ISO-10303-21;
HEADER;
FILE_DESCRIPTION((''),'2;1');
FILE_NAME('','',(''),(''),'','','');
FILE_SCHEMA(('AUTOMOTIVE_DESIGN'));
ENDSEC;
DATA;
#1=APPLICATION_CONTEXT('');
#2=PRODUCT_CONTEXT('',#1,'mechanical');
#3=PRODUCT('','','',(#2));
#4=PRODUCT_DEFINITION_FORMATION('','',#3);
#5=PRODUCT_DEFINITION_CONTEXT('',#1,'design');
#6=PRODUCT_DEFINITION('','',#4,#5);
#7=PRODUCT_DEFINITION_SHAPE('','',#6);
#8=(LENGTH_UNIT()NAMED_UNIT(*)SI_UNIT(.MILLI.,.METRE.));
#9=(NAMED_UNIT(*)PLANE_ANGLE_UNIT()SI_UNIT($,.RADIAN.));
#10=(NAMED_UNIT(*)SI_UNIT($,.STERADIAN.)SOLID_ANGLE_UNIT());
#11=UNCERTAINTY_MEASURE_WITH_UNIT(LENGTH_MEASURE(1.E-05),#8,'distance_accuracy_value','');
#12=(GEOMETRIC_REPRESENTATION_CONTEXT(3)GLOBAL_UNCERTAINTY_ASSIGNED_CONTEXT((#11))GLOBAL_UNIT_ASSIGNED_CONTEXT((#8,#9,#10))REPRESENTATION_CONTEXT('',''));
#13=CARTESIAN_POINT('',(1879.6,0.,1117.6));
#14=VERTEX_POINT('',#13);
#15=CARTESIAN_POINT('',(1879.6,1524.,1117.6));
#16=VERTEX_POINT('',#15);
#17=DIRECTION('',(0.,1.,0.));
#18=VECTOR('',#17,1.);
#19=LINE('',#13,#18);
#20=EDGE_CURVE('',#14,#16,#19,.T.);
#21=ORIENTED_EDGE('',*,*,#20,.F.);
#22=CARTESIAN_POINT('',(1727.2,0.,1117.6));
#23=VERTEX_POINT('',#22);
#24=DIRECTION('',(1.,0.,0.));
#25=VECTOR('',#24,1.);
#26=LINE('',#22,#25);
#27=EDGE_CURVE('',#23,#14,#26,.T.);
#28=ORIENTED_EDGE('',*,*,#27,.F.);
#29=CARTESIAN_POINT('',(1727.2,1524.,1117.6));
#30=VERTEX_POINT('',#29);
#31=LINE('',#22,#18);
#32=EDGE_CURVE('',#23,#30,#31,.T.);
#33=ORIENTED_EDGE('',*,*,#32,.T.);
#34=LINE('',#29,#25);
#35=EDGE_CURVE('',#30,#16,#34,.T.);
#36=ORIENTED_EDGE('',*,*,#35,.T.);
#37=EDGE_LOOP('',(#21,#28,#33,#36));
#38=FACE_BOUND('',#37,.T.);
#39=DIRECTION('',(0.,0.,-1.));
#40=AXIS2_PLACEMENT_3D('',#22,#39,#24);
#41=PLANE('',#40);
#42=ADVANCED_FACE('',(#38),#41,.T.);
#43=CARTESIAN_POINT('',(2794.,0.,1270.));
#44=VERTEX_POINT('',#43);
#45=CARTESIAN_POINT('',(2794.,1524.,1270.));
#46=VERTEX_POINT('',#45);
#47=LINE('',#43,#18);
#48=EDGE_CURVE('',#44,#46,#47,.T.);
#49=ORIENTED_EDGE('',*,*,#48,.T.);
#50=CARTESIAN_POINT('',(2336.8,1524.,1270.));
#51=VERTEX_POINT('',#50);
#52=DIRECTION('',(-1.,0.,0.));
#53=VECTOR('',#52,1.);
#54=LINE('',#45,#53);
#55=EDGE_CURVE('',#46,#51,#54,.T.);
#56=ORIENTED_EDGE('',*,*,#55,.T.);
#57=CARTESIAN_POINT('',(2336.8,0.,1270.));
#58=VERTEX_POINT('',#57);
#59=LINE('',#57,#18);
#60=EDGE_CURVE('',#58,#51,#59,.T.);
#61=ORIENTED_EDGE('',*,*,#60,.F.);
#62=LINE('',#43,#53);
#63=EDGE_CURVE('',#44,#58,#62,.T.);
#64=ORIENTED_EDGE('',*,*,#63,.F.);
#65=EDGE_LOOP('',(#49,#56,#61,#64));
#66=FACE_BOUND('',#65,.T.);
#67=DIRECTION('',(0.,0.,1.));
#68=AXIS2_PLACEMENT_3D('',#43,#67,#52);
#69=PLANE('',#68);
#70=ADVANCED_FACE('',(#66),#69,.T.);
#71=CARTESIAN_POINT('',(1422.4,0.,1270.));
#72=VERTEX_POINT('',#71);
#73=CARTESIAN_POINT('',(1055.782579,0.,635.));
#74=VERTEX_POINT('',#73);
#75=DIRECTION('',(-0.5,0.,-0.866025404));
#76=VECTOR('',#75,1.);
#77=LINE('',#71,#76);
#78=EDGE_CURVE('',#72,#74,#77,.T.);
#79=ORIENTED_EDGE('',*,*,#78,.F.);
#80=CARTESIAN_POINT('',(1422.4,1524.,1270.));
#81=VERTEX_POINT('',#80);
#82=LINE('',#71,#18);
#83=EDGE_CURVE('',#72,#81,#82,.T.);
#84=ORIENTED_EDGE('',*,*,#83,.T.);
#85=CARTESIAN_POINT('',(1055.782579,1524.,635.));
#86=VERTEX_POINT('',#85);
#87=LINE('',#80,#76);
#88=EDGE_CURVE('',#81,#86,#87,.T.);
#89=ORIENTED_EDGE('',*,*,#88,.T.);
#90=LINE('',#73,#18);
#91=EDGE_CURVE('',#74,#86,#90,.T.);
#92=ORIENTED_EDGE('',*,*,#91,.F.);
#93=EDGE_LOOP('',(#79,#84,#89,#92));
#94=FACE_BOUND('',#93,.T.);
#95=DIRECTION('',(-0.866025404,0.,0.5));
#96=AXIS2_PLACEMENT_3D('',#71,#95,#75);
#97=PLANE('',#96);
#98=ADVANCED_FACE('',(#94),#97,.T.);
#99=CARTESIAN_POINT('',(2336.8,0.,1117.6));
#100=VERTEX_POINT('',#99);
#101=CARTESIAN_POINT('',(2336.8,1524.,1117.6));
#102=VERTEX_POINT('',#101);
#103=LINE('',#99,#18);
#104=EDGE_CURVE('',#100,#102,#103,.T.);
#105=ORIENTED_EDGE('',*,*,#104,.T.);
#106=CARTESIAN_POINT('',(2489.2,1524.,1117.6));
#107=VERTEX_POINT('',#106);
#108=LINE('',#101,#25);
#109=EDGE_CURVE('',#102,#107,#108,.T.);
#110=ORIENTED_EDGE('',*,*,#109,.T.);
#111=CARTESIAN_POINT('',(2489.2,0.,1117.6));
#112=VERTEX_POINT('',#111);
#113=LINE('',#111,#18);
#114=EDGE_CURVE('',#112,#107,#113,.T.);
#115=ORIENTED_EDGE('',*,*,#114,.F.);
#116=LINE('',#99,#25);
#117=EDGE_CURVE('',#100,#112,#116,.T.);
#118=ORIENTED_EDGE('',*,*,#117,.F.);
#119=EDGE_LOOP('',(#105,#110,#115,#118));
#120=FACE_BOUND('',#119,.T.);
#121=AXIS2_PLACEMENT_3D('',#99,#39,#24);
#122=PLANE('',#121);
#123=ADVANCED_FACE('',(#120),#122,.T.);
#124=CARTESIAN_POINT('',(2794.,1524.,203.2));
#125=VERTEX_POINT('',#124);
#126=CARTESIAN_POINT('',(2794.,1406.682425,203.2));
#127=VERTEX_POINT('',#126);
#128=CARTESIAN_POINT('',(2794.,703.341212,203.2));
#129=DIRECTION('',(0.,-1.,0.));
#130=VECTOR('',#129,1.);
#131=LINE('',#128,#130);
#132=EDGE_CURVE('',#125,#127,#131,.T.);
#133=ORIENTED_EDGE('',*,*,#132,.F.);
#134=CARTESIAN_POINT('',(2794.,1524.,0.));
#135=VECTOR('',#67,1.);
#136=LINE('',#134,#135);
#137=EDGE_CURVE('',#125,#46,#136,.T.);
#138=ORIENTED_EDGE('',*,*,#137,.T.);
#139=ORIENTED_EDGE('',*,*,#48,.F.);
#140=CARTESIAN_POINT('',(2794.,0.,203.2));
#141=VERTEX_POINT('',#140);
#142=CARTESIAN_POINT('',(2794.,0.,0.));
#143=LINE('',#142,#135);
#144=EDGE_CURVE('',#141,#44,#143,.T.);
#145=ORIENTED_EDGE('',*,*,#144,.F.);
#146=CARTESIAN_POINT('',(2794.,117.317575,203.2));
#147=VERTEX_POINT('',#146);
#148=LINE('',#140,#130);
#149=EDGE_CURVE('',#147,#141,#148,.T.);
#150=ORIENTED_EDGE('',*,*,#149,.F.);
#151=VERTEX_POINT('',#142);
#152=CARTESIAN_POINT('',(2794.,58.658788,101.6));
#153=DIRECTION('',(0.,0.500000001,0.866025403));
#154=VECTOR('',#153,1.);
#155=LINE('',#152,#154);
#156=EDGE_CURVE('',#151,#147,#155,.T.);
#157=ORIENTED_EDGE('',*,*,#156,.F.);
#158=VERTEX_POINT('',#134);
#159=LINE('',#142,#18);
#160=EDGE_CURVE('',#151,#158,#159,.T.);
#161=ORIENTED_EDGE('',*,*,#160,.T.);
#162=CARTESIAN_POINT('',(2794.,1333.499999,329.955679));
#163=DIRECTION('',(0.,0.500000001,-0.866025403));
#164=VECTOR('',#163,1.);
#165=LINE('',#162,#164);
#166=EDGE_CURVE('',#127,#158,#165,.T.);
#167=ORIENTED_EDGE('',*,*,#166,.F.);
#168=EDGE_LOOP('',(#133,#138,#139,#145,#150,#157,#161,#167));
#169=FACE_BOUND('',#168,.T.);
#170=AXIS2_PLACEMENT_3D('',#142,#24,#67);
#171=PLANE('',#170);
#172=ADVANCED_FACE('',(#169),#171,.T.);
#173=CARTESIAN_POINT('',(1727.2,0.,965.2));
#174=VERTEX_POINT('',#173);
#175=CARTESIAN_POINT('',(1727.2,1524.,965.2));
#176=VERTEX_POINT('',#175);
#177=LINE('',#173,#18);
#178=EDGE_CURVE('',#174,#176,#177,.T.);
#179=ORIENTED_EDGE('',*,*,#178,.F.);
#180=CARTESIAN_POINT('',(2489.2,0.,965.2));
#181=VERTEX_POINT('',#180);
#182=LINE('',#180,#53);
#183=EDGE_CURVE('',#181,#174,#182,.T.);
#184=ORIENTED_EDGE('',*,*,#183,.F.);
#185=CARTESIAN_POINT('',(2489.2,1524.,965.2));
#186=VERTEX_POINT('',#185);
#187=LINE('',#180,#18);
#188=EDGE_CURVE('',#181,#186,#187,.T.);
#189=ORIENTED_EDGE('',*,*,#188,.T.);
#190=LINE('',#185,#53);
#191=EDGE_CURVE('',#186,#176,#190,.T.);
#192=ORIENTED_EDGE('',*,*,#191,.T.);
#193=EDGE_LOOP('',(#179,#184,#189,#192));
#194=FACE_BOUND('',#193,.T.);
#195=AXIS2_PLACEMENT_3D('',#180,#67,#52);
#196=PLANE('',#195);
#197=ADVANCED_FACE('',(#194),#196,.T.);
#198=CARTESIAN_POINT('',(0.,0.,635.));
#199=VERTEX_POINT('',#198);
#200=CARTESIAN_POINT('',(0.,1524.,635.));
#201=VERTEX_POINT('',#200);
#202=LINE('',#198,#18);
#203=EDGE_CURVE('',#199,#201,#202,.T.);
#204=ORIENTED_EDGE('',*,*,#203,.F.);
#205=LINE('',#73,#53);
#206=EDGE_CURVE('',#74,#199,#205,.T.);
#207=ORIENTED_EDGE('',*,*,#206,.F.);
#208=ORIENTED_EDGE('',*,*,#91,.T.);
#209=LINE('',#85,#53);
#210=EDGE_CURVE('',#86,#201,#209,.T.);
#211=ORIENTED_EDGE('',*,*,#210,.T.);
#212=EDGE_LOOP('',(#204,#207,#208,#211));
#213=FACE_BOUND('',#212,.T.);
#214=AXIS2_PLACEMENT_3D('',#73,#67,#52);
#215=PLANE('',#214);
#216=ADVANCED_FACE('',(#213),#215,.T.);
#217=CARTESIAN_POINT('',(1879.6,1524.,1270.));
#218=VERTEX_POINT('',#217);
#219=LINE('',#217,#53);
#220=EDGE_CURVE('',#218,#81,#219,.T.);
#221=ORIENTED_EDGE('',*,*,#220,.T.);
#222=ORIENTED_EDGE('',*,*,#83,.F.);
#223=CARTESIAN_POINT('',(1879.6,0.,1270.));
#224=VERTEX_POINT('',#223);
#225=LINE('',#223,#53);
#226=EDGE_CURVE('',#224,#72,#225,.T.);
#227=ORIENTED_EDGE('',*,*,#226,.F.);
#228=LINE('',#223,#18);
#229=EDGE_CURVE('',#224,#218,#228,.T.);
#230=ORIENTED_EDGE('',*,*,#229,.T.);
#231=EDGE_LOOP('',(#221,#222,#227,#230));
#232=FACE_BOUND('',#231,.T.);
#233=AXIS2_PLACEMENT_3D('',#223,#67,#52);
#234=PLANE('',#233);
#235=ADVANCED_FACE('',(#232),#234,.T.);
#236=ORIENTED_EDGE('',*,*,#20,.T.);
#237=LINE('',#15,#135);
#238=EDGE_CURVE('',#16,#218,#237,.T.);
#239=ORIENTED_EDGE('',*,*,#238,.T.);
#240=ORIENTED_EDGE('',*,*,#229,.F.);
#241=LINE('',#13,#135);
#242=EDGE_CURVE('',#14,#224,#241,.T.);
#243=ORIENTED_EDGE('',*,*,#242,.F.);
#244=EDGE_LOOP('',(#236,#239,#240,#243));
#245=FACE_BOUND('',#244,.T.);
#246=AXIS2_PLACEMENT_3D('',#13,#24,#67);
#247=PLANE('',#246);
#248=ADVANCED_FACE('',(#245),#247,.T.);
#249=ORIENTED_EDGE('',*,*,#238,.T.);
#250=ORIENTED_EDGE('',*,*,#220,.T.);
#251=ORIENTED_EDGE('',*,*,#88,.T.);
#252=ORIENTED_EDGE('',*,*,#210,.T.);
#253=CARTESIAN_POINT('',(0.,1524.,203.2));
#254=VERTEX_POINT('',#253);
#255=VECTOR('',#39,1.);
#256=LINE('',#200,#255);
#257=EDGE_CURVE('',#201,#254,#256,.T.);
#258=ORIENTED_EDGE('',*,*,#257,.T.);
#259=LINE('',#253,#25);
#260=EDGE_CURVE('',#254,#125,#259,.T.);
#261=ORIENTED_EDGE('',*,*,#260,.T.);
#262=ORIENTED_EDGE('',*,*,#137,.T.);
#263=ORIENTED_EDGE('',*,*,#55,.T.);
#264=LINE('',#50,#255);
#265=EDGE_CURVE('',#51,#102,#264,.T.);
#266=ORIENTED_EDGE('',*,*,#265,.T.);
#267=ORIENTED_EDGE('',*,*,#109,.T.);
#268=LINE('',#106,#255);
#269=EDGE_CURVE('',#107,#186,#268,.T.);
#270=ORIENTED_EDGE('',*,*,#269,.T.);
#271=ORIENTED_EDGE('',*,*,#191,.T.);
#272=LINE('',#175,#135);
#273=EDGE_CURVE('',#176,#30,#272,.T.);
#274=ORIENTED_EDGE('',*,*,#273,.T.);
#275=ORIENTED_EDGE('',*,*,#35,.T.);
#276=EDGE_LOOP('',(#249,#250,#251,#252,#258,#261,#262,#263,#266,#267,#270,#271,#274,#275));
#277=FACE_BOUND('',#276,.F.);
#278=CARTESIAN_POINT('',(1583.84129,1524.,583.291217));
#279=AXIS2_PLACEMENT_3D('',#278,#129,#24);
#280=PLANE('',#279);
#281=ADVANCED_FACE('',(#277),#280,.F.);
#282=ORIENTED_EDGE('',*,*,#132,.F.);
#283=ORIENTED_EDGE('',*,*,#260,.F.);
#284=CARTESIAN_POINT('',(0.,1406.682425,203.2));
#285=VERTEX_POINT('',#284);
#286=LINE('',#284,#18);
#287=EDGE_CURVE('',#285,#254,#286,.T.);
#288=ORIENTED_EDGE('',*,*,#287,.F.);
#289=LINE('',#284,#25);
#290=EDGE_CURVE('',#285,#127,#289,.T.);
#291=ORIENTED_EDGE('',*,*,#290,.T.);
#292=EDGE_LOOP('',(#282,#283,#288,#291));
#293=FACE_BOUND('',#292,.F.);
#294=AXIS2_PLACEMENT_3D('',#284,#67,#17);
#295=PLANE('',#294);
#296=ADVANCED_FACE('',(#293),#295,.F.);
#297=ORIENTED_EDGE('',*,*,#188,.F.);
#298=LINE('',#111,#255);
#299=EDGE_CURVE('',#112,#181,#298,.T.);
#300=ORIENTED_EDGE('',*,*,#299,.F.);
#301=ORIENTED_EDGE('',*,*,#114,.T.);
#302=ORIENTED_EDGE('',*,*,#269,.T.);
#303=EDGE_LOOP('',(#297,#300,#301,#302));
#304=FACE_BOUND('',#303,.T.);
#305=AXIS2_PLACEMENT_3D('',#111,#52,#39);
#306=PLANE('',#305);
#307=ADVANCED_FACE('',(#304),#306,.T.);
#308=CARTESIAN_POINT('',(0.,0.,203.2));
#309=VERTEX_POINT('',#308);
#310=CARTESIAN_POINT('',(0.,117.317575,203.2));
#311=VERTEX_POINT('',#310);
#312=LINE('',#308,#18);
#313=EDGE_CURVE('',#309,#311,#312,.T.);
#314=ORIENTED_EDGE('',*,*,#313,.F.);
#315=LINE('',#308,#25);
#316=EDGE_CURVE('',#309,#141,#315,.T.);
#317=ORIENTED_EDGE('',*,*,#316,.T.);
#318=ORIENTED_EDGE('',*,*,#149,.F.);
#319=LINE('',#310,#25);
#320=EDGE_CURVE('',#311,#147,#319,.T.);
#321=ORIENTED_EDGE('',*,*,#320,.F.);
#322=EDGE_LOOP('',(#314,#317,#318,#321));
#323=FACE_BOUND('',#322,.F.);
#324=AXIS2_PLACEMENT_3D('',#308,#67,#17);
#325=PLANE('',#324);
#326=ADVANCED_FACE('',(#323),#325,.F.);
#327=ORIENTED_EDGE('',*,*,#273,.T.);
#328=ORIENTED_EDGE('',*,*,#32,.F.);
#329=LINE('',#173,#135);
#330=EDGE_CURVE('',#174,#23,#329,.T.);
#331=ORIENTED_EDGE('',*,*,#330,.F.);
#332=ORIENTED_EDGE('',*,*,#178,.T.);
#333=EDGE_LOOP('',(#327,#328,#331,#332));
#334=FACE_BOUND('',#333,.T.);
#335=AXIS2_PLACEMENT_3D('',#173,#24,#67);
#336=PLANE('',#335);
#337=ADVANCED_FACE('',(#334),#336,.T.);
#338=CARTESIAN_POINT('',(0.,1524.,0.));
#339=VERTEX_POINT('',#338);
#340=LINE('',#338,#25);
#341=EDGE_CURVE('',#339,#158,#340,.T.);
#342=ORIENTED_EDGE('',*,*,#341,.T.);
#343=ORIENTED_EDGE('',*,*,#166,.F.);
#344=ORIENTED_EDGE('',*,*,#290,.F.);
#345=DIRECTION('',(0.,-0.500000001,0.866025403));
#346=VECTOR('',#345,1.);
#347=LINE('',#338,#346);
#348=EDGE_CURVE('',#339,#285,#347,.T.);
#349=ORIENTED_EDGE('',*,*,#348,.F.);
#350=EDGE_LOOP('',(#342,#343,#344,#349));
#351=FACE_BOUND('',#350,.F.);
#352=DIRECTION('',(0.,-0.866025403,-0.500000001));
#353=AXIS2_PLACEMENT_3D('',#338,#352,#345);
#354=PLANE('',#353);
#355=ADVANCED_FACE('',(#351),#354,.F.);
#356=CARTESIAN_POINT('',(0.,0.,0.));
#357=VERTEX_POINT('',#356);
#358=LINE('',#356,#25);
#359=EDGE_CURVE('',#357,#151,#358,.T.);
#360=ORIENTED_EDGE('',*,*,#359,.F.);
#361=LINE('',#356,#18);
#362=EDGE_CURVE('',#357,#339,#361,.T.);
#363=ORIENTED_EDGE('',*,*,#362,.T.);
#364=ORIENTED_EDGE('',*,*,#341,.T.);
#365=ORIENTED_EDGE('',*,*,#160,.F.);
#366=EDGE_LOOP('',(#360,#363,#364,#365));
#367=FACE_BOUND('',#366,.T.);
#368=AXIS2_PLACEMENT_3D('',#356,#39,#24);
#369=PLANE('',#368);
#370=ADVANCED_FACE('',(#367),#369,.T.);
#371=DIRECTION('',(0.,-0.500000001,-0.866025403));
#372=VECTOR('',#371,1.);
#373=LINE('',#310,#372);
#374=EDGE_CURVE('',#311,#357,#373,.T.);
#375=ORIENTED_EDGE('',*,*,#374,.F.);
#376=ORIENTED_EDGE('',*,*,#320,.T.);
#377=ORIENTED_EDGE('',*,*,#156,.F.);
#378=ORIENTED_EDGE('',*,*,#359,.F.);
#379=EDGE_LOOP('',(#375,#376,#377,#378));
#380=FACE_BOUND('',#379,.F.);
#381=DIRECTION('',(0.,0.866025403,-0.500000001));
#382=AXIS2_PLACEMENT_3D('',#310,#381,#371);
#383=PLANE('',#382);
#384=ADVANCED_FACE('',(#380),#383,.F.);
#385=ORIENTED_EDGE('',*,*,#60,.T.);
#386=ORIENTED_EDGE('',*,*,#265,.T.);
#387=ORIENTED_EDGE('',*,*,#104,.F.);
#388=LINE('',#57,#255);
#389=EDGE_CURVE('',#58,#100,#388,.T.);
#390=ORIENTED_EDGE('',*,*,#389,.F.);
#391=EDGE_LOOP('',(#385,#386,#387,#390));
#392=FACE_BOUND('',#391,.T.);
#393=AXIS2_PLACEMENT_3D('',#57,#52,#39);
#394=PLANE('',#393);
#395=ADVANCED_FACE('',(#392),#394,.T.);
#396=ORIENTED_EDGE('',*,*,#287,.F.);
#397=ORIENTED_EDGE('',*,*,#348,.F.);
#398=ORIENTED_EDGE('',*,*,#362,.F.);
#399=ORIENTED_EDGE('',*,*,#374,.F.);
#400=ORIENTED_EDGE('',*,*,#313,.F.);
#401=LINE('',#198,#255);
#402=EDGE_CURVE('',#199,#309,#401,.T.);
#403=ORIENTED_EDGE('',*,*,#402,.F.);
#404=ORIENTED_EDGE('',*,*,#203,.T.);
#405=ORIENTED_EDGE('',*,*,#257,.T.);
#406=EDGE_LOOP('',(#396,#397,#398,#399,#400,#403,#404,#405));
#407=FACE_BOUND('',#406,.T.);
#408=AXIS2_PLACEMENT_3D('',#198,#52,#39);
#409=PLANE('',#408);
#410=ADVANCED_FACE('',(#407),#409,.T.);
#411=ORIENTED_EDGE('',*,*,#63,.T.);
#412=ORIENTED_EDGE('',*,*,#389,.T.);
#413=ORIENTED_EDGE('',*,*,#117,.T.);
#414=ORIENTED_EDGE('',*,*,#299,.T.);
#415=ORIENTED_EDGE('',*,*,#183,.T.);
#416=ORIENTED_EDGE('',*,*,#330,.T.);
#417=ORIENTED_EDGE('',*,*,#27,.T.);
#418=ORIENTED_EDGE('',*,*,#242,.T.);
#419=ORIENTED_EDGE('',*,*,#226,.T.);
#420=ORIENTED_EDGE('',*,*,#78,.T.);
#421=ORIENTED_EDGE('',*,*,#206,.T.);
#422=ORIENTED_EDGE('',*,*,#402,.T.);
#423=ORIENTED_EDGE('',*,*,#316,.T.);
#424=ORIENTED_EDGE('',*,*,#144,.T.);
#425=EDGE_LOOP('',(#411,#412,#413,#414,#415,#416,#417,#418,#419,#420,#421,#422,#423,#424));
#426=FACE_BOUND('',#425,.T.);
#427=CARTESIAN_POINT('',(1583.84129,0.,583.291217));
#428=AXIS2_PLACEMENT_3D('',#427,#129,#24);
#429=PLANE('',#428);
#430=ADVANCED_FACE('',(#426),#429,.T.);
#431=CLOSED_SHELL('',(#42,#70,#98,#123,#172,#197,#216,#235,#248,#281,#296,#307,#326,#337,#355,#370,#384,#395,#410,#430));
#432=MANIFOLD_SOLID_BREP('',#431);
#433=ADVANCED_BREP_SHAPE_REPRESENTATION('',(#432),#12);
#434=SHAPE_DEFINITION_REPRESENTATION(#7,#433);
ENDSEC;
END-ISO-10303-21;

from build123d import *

# Parameters (mm, degrees)
F1_DEPTH = 1524
F5_DEPTH = 2794.001
F7_DEPTH = 2794.001


with BuildPart() as f1:
    # F0 (on Front) → F1 (new body)
    with BuildSketch(Plane.XZ):
        Polygon((0, 635), (0, 0), (2794, 0), (2794, 1270), (2336.8, 1270), (2336.8, 1117.6), (2489.2, 1117.6), (2489.2, 965.2), (1727.2, 965.2), (1727.2, 1117.6), (1879.6, 1117.6), (1879.6, 1270), (1422.4, 1270), (1055.782579, 635), align=None)
    extrude(amount=-F1_DEPTH)

    # F4 (on face) → F5 (cut, through all)
    with BuildSketch(Plane(origin=(0, 0, 0), x_dir=(0, -1, 0), z_dir=(-1, 0, 0))):
        Polygon((-117.317575, 203.2), (0, 0), (0, 203.2), align=None)
    extrude(amount=-F5_DEPTH, mode=Mode.SUBTRACT)

    # F6 (on face) → F7 (cut, through all)
    with BuildSketch(Plane(origin=(0, 0, 0), x_dir=(0, -1, 0), z_dir=(-1, 0, 0))):
        Polygon((-1524, 203.2), (-1524, 0), (-1406.682425, 203.2), align=None)
    extrude(amount=-F7_DEPTH, mode=Mode.SUBTRACT)


solid = f1.part
